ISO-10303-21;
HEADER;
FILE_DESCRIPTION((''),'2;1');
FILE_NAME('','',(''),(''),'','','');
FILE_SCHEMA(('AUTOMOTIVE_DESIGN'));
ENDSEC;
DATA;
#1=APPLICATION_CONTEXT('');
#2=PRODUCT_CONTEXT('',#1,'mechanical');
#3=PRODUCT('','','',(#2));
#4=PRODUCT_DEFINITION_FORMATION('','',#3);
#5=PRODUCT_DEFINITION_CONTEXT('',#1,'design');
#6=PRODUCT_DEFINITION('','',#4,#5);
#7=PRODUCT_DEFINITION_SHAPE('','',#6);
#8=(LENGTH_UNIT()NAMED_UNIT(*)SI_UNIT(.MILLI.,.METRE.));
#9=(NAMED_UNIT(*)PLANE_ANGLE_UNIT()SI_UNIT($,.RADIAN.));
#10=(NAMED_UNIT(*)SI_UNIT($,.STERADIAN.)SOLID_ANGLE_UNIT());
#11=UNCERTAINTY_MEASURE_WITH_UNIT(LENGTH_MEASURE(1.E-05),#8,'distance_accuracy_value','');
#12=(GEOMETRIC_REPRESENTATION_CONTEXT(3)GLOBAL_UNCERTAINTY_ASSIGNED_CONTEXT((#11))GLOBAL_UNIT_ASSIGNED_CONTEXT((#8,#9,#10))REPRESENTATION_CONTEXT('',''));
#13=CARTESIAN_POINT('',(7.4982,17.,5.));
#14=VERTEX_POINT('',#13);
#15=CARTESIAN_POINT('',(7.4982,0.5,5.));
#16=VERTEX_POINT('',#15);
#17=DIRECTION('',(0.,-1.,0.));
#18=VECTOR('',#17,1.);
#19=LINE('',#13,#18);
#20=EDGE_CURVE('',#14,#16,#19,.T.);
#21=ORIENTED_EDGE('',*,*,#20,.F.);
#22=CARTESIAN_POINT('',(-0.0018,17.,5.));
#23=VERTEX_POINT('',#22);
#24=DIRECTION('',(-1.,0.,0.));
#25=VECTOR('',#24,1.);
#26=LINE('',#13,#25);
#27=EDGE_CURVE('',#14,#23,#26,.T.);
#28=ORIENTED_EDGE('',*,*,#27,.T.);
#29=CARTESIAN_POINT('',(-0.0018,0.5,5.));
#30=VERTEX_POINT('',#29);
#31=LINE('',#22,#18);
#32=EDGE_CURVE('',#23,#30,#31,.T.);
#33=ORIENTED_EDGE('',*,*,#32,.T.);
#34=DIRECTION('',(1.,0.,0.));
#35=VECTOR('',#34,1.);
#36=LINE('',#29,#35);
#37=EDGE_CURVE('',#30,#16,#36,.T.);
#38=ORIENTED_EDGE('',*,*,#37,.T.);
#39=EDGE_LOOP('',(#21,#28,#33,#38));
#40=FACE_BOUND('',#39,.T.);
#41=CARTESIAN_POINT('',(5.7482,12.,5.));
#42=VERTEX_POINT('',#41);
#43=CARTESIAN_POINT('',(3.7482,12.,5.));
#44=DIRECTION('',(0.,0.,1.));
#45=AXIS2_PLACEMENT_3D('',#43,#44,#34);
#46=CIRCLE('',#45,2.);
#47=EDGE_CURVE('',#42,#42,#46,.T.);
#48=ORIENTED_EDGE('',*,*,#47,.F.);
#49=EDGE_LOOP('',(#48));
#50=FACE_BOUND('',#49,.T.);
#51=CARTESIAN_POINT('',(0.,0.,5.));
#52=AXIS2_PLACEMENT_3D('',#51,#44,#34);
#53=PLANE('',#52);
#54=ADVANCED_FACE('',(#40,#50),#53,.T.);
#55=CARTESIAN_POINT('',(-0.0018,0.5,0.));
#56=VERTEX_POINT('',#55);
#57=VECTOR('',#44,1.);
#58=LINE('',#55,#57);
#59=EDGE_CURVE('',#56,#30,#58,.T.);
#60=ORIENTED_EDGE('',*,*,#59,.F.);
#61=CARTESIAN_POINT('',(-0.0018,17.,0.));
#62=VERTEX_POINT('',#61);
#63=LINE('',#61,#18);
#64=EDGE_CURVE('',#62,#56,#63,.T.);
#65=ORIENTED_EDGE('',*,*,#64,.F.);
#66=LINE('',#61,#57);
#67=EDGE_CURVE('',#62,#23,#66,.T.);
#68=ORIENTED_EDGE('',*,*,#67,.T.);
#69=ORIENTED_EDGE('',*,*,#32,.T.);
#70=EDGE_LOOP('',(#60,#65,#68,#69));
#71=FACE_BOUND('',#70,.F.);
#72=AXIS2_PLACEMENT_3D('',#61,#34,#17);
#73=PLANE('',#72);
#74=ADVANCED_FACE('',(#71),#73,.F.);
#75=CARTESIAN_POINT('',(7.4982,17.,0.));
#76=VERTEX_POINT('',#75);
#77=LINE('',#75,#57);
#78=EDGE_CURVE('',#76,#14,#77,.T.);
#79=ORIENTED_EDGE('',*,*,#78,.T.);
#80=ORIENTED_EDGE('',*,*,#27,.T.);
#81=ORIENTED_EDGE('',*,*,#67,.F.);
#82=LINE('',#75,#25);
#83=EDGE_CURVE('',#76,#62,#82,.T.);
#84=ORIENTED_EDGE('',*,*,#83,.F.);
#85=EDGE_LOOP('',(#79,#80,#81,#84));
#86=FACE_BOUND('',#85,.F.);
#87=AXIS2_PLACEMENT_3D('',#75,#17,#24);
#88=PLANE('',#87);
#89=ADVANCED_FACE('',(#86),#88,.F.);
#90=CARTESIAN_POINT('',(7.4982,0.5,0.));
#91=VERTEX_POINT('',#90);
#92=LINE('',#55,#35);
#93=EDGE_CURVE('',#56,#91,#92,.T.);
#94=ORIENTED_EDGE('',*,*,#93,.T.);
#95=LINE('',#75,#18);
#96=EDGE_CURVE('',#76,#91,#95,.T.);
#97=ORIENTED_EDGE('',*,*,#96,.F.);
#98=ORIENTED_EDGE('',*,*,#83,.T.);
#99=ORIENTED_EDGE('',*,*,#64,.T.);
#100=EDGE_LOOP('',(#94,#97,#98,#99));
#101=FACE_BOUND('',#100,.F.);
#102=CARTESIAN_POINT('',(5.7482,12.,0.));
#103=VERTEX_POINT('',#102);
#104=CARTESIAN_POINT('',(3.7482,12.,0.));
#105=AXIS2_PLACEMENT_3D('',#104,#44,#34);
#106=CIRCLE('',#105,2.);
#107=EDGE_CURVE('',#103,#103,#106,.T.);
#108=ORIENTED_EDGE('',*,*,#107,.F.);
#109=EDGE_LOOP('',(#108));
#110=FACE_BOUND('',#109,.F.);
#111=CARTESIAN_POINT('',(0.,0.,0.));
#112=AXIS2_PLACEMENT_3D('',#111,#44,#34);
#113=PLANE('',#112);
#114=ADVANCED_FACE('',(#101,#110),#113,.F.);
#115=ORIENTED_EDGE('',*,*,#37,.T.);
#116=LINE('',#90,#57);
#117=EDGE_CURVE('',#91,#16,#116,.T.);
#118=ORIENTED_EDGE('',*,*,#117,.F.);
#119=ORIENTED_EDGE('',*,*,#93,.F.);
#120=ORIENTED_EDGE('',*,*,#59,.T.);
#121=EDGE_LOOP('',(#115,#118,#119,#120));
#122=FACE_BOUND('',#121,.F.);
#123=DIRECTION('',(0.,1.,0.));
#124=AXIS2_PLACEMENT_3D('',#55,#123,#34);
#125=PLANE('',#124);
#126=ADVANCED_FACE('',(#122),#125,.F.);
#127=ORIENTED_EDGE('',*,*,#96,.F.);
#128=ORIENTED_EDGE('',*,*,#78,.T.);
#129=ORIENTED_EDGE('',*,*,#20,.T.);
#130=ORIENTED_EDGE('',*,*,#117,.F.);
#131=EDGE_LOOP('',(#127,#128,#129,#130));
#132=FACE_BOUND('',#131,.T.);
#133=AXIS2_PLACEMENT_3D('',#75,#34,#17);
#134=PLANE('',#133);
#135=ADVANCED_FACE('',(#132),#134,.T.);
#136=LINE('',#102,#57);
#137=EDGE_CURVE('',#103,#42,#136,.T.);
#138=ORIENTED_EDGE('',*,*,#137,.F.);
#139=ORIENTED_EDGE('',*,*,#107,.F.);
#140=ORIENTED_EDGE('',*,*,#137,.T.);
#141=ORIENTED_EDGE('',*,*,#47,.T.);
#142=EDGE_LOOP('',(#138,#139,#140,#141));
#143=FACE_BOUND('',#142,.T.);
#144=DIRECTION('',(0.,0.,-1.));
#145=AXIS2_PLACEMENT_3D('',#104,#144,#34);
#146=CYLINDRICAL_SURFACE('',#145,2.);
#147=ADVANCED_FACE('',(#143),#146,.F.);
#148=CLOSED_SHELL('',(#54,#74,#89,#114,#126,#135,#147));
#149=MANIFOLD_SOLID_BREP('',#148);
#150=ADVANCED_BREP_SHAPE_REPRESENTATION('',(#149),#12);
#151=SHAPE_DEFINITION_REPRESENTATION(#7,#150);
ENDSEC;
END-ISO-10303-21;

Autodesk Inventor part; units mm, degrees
ref_plane "YZ Plane" through (0, 0, 0) normal (1, 0, 0) x (0, 1, 0)
ref_plane "XZ Plane" through (0, 0, 0) normal (0, 1, 0) x (-1, 0, 0)
ref_plane "XY Plane" through (0, 0, 0) normal (0, 0, 1) x (1, 0, 0)
sketch "Sketch1" plane through (0, 0, 0) normal (0, 0, 1) x (1, 0, 0)
  line L0 (7.4982, 17) -> (-0.0018, 17)
  line L1 (-0.0018, 17) -> (-0.0018, 0.5)
  line L2 (7.4982, 17) -> (7.4982, 0.5)
  line L3 (-0.0018, 0.5) -> (7.4982, 0.5)
  circle A0 centre (3.7482, 12) radius 2
  dimension "d5" = 16.5
  dimension "d10" = 4
  dimension "d11" = 5
  dimension "d12" = 7.5
extrude "Extrusion1" add sketch "Sketch1" along normal blind 5
properties part number "long back plate spacer" material "Nylon 6/6"
